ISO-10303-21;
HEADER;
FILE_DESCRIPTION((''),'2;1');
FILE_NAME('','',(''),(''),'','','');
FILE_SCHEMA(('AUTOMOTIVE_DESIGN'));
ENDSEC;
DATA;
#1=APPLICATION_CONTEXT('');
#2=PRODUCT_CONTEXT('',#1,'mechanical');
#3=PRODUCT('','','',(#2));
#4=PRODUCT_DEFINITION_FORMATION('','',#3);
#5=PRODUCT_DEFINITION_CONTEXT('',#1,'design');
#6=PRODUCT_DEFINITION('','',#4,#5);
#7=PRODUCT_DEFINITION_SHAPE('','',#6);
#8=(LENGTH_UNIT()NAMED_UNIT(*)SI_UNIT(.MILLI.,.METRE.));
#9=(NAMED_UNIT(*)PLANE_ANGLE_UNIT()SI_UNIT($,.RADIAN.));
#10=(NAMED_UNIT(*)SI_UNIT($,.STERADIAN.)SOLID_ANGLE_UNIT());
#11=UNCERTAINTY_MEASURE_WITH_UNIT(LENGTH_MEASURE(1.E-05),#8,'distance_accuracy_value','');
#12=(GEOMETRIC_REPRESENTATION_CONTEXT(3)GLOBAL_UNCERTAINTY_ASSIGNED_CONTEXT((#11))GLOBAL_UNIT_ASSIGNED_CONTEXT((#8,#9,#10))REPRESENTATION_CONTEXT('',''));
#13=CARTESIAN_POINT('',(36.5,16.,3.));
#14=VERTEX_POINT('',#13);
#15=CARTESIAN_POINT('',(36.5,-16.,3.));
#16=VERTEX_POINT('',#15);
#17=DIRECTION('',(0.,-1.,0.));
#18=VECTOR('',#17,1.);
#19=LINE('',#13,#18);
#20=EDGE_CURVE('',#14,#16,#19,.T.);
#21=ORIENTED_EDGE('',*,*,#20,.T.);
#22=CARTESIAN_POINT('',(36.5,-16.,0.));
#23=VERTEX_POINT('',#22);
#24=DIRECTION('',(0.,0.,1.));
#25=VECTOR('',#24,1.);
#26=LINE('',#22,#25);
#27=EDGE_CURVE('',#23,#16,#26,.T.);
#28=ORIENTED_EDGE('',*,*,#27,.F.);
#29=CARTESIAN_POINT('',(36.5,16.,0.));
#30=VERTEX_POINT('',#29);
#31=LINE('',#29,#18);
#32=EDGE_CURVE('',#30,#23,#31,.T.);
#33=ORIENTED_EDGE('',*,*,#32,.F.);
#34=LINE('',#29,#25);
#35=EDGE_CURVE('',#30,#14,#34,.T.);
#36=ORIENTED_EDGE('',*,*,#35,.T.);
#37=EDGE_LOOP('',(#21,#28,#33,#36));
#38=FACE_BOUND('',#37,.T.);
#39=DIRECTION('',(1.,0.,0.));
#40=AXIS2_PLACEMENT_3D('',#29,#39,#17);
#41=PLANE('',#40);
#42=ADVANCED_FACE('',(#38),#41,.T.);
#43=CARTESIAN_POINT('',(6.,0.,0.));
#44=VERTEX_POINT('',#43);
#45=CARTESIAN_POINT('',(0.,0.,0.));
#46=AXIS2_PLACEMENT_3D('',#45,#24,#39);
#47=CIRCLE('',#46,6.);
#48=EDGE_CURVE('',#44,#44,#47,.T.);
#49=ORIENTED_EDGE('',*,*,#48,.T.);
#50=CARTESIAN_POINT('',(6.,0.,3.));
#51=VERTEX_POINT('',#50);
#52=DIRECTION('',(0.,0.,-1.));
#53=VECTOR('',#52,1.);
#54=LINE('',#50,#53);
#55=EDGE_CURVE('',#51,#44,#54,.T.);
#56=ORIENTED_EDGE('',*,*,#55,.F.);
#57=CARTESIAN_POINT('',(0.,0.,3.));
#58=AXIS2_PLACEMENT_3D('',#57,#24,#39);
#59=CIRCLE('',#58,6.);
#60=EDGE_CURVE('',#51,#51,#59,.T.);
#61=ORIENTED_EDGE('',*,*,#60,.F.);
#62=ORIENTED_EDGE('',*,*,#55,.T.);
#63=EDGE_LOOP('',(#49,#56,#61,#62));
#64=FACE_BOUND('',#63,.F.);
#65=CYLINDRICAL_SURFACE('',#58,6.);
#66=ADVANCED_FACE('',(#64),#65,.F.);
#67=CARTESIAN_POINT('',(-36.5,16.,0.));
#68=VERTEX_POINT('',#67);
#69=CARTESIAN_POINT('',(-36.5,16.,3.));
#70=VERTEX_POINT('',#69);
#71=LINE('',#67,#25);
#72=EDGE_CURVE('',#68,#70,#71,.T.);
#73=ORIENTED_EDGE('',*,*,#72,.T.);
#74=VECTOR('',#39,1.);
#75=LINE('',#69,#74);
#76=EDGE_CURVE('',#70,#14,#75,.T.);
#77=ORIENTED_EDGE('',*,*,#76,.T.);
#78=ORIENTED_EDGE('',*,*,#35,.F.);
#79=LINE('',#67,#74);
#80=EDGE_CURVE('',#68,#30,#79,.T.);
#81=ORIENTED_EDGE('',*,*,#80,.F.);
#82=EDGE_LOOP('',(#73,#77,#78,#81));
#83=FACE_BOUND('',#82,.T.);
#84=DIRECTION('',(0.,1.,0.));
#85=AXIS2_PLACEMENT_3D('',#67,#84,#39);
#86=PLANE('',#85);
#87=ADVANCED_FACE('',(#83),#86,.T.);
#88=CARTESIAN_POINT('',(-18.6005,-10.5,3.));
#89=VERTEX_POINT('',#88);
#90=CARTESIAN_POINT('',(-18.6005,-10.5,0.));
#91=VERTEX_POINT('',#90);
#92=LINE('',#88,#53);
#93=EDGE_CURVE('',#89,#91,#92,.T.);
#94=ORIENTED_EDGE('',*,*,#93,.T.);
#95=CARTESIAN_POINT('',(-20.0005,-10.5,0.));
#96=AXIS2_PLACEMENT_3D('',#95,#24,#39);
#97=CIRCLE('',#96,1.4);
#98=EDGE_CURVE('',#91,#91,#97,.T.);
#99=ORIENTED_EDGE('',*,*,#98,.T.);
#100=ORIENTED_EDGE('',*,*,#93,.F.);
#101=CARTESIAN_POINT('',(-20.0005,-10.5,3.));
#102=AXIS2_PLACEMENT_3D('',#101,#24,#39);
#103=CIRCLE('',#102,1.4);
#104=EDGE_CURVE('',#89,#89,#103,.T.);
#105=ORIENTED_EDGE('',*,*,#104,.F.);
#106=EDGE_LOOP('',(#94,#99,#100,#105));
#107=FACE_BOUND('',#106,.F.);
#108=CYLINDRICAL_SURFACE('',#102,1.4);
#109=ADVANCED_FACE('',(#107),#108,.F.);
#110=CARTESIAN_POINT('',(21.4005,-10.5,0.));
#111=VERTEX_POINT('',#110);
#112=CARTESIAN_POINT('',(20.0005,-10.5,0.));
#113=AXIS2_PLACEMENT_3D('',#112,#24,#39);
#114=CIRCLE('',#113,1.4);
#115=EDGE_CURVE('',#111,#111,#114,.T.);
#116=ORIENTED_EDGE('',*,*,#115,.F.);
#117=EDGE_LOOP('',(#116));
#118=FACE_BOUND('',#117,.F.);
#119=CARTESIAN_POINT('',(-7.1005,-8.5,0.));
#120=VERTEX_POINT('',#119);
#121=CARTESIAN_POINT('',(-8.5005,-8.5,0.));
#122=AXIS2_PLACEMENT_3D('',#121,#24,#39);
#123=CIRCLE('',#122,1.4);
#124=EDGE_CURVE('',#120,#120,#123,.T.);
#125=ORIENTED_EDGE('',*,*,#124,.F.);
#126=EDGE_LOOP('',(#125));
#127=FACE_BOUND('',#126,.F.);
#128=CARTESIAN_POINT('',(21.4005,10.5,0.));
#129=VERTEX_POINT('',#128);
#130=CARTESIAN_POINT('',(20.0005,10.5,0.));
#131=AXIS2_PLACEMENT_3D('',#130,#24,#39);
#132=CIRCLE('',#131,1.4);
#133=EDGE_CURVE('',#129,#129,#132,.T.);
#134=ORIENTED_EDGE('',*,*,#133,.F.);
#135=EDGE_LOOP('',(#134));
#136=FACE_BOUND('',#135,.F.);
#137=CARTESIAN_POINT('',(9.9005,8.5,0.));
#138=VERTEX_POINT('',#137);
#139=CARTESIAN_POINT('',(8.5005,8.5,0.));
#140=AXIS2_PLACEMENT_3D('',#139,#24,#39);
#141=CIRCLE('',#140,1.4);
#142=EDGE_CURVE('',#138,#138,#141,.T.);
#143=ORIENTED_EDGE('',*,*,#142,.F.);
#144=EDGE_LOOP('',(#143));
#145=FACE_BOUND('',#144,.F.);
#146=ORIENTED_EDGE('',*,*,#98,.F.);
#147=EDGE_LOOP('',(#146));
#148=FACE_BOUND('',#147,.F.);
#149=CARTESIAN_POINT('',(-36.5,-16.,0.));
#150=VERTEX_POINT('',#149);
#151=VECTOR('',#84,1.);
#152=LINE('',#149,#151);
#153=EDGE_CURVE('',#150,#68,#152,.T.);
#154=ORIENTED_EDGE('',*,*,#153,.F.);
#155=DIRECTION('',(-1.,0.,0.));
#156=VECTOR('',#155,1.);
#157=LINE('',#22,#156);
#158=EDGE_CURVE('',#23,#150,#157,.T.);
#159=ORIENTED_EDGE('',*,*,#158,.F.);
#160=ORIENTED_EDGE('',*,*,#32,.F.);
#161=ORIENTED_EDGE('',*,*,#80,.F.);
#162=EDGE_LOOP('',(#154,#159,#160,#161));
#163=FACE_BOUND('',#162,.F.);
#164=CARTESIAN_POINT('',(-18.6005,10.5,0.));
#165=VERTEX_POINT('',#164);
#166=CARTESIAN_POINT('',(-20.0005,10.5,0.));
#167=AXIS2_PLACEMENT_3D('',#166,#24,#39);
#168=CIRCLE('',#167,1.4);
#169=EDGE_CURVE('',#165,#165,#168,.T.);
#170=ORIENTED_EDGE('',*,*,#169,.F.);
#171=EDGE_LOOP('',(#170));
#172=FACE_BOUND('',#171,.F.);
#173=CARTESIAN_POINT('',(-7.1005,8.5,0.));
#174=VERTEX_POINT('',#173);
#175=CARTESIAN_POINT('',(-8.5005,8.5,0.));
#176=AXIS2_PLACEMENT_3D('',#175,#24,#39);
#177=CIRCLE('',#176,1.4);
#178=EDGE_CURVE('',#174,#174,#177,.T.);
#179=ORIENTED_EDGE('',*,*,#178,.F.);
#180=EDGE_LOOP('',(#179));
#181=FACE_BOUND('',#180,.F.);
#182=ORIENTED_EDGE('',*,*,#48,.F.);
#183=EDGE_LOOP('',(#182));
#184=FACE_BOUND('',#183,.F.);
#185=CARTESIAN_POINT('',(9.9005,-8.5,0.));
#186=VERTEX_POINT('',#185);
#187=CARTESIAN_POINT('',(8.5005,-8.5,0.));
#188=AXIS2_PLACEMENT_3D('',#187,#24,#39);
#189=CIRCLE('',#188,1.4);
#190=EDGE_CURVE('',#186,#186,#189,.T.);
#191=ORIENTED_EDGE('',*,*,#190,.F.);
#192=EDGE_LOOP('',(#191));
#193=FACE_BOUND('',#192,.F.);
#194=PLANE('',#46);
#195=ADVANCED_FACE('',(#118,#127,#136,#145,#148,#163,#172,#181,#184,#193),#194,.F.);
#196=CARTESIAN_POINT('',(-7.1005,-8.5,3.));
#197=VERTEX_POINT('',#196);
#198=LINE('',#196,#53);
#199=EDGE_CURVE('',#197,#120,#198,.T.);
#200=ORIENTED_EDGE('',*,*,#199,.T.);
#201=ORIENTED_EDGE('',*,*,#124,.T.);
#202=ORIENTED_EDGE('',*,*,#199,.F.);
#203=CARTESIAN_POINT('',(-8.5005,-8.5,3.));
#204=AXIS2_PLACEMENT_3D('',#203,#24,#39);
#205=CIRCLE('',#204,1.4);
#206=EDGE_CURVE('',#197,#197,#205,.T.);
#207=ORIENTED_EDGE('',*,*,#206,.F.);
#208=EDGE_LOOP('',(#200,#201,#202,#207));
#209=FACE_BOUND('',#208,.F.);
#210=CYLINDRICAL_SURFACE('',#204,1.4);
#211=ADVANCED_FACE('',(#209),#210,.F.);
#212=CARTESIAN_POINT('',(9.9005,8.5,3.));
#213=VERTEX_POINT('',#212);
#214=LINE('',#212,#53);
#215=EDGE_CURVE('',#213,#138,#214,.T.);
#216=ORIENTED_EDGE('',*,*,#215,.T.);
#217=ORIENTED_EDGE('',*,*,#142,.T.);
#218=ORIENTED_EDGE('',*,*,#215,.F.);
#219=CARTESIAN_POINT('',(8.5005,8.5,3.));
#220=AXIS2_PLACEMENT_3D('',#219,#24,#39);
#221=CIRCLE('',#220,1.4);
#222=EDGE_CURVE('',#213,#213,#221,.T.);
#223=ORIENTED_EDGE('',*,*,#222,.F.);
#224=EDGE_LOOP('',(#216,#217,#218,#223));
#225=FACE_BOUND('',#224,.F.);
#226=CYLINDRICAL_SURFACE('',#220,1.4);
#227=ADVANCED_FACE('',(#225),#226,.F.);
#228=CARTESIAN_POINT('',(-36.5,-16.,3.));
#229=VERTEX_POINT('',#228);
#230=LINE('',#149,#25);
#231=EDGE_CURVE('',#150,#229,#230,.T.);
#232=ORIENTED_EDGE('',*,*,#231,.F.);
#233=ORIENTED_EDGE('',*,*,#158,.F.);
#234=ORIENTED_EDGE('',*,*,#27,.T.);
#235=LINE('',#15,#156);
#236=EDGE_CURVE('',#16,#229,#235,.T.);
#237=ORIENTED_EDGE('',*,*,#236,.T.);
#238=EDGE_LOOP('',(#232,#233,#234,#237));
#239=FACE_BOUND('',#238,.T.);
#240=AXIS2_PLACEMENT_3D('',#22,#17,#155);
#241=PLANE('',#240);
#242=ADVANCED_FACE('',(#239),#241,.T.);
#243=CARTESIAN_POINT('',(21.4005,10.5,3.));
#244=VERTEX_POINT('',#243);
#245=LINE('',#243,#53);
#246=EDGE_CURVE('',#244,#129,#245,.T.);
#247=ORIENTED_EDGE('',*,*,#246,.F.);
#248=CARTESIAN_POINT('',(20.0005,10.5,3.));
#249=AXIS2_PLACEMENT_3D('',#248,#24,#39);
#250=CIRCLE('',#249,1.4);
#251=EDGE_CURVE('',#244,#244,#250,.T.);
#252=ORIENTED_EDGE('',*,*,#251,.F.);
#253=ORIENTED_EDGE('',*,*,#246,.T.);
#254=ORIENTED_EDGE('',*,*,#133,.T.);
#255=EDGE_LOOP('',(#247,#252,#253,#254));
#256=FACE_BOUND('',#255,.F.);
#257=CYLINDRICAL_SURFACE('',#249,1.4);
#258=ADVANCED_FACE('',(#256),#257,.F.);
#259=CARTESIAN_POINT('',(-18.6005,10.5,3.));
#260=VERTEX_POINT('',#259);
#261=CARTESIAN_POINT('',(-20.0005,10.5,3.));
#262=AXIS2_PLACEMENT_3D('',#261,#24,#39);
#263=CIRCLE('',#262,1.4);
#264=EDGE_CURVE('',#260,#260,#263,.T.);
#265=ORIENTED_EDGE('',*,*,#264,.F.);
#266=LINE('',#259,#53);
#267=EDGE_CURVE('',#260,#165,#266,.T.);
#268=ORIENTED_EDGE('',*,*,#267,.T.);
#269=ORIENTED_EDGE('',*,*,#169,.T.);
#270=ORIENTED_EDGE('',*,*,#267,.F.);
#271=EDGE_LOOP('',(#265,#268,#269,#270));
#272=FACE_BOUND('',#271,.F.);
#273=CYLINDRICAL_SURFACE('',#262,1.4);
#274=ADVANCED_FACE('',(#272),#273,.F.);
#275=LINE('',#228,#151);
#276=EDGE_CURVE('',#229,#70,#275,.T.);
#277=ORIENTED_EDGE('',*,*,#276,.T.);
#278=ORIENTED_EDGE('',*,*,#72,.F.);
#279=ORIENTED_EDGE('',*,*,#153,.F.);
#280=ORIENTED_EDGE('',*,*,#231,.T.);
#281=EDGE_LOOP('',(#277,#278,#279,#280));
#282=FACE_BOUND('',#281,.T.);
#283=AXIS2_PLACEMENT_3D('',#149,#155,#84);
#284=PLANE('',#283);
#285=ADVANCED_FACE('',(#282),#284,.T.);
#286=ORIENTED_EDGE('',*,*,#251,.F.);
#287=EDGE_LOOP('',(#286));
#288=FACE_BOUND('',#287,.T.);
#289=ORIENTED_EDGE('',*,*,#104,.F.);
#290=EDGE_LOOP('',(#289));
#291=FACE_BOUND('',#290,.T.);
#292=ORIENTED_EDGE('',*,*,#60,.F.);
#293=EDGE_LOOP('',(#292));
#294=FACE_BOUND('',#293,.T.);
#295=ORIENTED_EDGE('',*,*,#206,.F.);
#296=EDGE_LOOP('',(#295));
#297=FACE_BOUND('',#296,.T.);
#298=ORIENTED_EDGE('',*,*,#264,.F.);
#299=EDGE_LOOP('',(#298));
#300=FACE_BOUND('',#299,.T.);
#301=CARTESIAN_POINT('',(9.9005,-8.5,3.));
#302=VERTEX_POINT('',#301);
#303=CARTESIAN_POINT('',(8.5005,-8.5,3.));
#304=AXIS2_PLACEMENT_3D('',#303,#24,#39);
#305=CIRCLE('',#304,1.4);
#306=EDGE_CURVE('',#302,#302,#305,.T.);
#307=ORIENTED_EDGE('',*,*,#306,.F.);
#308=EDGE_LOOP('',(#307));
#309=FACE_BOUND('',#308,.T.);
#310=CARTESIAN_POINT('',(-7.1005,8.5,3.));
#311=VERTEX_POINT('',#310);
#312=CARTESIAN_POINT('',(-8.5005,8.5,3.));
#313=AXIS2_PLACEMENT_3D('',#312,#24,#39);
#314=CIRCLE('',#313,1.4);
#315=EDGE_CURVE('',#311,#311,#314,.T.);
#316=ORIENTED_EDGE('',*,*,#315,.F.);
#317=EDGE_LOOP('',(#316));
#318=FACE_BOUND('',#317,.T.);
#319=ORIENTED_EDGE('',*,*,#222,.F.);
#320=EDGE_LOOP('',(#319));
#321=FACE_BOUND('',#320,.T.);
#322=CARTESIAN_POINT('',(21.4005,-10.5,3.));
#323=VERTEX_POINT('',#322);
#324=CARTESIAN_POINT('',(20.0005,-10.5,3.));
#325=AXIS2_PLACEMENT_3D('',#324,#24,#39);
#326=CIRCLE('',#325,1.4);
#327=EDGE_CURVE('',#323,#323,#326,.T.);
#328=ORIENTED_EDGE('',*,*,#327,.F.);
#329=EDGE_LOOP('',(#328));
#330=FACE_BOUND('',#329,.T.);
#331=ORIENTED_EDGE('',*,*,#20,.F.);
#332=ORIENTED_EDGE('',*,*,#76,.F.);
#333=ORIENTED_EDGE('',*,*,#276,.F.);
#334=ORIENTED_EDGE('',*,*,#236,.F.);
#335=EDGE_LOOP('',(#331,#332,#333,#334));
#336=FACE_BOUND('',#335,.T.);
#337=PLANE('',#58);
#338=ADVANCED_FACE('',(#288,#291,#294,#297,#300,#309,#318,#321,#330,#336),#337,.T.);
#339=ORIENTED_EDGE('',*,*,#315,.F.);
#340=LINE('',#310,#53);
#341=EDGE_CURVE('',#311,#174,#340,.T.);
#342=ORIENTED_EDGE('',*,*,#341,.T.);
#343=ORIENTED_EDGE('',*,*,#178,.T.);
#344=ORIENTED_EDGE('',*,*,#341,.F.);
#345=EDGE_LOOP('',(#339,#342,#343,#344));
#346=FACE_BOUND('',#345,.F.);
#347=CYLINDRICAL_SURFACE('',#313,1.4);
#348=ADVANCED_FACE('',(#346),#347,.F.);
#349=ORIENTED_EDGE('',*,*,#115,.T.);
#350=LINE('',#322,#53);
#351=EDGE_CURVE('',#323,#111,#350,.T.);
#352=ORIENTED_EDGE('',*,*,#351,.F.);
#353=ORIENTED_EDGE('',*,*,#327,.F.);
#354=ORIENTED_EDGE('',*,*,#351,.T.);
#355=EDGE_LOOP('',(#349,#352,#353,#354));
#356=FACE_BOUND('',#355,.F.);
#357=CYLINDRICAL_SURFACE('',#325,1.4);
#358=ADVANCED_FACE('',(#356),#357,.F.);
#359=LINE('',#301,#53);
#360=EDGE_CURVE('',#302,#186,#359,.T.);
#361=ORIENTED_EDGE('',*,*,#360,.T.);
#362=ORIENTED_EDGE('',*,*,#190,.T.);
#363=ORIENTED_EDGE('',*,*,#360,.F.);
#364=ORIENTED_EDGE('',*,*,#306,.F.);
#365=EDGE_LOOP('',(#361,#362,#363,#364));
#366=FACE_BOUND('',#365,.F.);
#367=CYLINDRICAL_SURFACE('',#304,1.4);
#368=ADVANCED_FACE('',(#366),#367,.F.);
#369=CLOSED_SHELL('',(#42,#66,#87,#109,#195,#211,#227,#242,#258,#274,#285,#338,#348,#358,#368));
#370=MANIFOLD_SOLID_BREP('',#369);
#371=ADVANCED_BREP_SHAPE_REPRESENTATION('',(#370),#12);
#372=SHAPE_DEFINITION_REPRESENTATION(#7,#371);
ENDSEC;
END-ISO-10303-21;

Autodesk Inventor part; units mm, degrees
ref_plane "YZ Plane" through (0, 0, 0) normal (1, 0, 0) x (0, 1, 0)
ref_plane "XZ Plane" through (0, 0, 0) normal (0, 1, 0) x (-1, 0, 0)
ref_plane "XY Plane" through (0, 0, 0) normal (0, 0, 1) x (1, 0, 0)
sketch "Sketch1" plane through (0, 0, 0) normal (0, 0, 1) x (1, 0, 0)
  line L0 (36.5, -16) -> (-36.5, -16)
  line L1 (-36.5, -16) -> (-36.5, 16)
  line L2 (-36.5, 16) -> (36.5, 16)
  line L3 (36.5, 16) -> (36.5, -16)
  line L4 (36.5, -16) -> (-36.5, 16) construction
  line L5 (-36.5, -16) -> (36.5, 16) construction
  point P0 (0, 0)
  dimension "Esla_Bas_Largo" = 73
  dimension "Esla_Bas_Ancho" = 32
extrude "Extrusion1" add sketch "Sketch1" along normal blind 3
sketch "Sketch2" plane through (0, 0, 3) normal (0, 0, 1) x (1, 0, 0)
  line L0 (24.0075, 15) -> (-24.0075, 15)
  line L1 (-24.0075, 15) -> (-24.0075, -15)
  line L2 (-24.0075, -15) -> (24.0075, -15)
  line L3 (24.0075, -15) -> (24.0075, 15)
  line L4 (24.0075, 15) -> (-24.0075, -15) construction
  line L5 (-24.0075, 15) -> (24.0075, -15) construction
  circle A0 centre (-20.0005, 10.5) radius 1.4
  circle A1 centre (-8.5005, 8.5) radius 1.4
  line L6 (0, 16.9064) -> (0, -19.8938) construction
  line L7 (-28.0201, 0) -> (28.1996, 0) construction
  circle A2 centre (20.0005, 10.5) radius 1.4
  circle A3 centre (8.5005, 8.5) radius 1.4
  circle A4 centre (-20.0005, -10.5) radius 1.4
  circle A5 centre (-8.5005, -8.5) radius 1.4
  circle A6 centre (8.5005, -8.5) radius 1.4
  circle A7 centre (20.0005, -10.5) radius 1.4
  circle A8 centre (0, 0) radius 6
  dimension "d4" = 48.015
  dimension "d5" = 30
  dimension "d6" = 4.007
  dimension "d7" = 4.5
  dimension "d8" = 2.8
  dimension "d9" = 2.8
  dimension "d10" = 6.5
  dimension "d11" = 15.507
  dimension "d14" = 12
extrude "Extrusion2" cut sketch "Sketch2" against normal through all contours A0 | A1 | A2 | A3 | A4 | A5 | A6 | A7 | A8
properties part number "pequeño" material "Stainless Steel"
